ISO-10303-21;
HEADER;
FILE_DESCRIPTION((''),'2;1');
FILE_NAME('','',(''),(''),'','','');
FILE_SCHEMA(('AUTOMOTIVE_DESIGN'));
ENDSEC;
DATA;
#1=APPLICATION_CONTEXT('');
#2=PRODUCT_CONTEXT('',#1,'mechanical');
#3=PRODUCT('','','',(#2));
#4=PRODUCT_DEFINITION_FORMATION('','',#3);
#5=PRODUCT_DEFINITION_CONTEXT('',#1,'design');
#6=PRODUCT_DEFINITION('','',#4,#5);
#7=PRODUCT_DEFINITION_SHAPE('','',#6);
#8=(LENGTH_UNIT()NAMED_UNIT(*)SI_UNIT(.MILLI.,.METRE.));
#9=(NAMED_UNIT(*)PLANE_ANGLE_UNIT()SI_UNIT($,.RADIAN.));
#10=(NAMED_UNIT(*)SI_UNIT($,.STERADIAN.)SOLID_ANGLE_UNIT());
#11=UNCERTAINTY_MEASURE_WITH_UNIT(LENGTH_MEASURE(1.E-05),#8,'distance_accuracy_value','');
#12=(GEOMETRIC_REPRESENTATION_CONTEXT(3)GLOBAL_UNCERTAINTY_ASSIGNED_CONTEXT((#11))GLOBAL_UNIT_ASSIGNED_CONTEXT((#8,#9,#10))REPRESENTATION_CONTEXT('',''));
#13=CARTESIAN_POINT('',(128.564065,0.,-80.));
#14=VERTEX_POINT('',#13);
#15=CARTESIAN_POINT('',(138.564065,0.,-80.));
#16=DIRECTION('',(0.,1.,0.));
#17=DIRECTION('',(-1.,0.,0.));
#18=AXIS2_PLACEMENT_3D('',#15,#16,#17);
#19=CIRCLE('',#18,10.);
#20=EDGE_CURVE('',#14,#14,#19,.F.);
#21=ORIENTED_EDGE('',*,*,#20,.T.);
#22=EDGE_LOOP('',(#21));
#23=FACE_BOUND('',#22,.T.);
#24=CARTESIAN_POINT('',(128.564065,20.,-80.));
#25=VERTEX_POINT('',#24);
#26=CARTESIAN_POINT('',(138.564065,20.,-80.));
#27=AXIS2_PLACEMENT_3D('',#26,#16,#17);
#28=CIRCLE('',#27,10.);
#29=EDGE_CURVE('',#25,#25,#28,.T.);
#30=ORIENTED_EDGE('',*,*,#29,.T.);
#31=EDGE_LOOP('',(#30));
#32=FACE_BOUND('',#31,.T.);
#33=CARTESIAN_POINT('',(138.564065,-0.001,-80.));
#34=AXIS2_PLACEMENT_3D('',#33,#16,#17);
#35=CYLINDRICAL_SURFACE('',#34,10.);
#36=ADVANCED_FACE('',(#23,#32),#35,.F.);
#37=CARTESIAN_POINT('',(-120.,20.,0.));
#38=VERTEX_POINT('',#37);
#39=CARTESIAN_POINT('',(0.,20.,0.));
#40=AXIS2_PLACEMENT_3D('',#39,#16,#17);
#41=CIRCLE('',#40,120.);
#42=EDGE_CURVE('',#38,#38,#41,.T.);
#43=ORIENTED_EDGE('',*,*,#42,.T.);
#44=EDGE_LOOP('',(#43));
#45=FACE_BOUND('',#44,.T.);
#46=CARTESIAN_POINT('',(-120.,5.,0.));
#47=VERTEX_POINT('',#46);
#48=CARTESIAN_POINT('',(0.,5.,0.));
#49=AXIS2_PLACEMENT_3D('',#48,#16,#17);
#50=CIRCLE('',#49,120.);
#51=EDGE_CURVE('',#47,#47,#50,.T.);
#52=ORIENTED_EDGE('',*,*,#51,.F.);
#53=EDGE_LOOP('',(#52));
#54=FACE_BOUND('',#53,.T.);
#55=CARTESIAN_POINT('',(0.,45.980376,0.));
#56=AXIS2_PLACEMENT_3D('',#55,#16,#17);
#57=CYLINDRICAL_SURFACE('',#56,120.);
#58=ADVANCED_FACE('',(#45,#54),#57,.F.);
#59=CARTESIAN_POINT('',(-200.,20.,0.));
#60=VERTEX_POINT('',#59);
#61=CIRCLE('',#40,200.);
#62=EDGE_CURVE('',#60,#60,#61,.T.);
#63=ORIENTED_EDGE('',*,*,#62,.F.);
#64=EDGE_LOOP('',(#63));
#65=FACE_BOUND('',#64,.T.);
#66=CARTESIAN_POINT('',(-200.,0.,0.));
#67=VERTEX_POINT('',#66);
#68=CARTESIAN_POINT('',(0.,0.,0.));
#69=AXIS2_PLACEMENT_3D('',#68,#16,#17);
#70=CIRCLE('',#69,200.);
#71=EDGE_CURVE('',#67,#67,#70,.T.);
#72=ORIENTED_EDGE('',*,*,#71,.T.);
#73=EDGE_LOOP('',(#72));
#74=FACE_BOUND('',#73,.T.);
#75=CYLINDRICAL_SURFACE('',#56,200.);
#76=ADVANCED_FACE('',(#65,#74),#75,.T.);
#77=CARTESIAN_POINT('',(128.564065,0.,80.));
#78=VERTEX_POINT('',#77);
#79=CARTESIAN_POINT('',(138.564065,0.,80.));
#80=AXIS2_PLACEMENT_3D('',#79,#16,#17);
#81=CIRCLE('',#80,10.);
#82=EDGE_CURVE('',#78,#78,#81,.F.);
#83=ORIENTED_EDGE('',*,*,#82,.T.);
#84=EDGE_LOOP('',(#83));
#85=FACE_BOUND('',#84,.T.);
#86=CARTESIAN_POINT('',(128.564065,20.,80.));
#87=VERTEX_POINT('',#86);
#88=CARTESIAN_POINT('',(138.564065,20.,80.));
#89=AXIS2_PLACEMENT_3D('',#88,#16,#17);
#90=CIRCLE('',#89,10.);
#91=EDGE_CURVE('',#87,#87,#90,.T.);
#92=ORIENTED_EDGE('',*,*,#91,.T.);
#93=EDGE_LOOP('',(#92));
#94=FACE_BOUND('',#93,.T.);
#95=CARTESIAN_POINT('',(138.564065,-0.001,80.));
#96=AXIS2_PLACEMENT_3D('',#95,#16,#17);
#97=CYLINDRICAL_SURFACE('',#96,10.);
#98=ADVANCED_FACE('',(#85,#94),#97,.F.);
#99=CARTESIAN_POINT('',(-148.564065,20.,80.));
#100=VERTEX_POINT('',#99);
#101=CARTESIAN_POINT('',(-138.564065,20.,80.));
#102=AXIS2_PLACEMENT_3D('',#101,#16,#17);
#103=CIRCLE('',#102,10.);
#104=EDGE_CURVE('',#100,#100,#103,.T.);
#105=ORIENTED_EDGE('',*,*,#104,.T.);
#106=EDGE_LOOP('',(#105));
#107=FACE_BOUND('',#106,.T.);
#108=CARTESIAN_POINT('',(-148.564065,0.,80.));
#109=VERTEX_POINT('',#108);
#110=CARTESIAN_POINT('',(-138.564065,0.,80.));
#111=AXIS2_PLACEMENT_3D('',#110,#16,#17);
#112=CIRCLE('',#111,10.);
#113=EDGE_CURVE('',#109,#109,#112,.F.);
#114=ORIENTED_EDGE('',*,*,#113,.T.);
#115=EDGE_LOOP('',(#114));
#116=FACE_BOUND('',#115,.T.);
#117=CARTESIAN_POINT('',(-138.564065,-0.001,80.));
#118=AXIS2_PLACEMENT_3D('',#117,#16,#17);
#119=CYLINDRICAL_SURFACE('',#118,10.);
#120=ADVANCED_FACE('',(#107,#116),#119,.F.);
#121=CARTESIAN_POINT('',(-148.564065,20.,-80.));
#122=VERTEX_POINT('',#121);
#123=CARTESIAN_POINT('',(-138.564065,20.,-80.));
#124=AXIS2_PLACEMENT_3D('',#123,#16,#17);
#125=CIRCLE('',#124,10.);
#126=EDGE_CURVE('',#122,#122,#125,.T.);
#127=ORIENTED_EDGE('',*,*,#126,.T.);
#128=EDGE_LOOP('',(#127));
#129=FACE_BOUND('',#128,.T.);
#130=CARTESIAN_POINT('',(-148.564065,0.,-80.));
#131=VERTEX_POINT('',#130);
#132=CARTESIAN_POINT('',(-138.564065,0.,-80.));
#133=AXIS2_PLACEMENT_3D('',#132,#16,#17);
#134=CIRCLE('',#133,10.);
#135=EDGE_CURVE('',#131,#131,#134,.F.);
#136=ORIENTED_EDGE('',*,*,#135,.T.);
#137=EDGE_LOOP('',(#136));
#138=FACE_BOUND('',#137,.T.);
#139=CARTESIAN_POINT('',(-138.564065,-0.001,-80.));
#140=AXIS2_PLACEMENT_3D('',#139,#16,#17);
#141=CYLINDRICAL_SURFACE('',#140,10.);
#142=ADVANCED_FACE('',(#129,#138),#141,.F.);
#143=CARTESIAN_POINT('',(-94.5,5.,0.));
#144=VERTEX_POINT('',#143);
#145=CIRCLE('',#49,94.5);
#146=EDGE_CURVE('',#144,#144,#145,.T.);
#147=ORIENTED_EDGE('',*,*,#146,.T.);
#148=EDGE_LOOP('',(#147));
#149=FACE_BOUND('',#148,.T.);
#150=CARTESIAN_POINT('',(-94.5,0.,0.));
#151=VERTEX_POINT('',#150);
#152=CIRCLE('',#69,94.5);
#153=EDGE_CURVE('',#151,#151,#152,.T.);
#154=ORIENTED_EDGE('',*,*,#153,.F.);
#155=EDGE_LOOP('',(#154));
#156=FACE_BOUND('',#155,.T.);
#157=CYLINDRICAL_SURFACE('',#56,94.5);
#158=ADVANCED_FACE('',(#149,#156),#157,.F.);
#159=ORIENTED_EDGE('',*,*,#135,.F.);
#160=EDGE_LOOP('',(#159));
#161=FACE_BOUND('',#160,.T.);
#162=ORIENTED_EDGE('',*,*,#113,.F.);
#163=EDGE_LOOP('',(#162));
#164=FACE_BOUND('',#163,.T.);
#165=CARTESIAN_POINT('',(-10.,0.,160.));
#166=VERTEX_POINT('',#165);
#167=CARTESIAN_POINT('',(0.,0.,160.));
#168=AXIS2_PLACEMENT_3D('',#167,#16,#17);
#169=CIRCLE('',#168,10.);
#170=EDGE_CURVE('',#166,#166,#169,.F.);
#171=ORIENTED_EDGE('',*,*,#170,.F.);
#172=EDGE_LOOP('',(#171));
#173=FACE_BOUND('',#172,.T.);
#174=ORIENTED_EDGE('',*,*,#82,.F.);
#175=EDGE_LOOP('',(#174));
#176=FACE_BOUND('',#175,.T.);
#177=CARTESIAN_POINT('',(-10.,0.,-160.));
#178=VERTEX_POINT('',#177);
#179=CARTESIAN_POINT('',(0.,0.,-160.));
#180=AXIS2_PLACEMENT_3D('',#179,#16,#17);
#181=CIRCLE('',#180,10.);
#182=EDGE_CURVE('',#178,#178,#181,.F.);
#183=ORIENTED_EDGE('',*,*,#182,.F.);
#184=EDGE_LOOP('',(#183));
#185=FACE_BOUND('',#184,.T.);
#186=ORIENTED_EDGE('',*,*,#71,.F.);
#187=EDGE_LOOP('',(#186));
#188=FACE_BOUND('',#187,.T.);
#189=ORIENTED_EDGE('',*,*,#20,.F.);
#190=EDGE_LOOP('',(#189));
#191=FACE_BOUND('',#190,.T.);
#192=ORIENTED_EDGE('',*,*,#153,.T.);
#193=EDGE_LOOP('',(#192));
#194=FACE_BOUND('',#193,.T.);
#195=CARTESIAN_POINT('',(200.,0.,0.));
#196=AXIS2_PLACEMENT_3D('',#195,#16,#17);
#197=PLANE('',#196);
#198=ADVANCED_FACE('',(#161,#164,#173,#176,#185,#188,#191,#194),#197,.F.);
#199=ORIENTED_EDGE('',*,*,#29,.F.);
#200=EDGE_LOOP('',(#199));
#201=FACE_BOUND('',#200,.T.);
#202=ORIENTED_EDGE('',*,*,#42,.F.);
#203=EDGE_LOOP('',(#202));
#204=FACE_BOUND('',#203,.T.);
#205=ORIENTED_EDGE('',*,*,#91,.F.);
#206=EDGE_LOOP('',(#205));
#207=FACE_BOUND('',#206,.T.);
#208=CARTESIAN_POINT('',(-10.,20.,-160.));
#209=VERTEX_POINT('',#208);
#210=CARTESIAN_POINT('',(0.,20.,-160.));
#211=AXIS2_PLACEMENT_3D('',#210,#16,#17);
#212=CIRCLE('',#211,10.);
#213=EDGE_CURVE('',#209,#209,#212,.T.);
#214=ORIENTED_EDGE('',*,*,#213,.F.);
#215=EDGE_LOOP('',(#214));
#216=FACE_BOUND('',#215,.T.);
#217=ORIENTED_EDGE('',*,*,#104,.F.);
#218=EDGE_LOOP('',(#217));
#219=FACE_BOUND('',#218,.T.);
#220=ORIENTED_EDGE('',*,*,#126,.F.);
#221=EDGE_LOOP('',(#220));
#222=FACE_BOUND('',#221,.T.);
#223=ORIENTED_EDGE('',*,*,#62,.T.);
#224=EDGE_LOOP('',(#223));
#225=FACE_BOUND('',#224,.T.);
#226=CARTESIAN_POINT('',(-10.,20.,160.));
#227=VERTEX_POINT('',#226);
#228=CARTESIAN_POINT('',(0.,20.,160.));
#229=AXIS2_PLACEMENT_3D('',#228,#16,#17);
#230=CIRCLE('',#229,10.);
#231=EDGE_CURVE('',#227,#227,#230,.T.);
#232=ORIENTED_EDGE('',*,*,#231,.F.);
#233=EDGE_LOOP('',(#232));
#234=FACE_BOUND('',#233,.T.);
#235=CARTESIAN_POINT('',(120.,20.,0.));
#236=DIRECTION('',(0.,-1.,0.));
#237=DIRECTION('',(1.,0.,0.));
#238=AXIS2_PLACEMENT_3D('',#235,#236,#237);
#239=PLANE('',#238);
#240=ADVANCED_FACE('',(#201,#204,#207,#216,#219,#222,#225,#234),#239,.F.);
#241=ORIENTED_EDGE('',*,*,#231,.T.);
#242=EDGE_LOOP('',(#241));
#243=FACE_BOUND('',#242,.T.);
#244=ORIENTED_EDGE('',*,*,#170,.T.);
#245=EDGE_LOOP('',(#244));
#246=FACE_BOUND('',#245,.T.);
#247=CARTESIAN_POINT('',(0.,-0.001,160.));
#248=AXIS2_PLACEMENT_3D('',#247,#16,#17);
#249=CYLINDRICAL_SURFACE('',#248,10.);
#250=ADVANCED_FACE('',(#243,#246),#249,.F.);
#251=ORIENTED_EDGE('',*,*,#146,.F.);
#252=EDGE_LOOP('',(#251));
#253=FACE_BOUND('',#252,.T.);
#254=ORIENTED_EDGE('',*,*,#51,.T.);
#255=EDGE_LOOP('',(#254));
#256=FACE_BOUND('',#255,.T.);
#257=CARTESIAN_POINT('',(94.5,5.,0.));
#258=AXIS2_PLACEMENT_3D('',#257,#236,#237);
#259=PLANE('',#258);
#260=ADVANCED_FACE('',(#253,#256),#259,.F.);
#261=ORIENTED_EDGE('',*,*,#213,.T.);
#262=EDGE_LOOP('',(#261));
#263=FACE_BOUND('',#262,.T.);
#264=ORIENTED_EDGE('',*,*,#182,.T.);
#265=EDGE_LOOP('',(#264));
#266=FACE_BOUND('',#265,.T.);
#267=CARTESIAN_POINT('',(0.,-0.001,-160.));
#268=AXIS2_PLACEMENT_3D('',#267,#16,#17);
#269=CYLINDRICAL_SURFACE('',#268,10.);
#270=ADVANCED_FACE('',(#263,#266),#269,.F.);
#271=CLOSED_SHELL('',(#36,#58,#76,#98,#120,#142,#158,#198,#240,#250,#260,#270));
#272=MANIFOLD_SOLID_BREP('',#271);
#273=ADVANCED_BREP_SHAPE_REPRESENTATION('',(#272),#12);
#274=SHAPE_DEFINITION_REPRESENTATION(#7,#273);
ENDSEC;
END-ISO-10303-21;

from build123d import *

# Parameters (mm, degrees)
CUT_EXTRUDE_1_REACH = 285.549
SKETCH_5_R          = 10


with BuildPart() as part:
    # 草圖4 → 旋轉1 (revolve)
    with BuildSketch(Plane.XY, mode=Mode.PRIVATE) as revolve_1_sk:
        Polygon((120, 20), (120, 5), (94.5, 5), (94.5, 0), (200, 0), (200, 20), align=None)
    revolve(revolve_1_sk.sketch.rotate(Axis((0, 45.980375907, 0), (0, -1, 0)), 180), axis=Axis((0, 45.980375907, 0), (0, -1, 0)))

    # 草圖5 → 除料-伸長1 (cut, up to next)
    with BuildSketch(Plane(origin=(0, 20, 0), x_dir=(1, 0, 0), z_dir=(0, 1, 0)), mode=Mode.PRIVATE) as cut_extrude_1_sk1:
        with Locations(Location((0, 160, 0), (0, 0, 180))):
            Circle(SKETCH_5_R)
    cut_extrude_1_tool1 = extrude(cut_extrude_1_sk1.sketch, amount=-CUT_EXTRUDE_1_REACH, mode=Mode.PRIVATE) & part.part
    # 草圖5 → 除料-伸長1 (cut, up to next)
    with BuildSketch(Plane(origin=(0, 20, 0), x_dir=(1, 0, 0), z_dir=(0, 1, 0)), mode=Mode.PRIVATE) as cut_extrude_1_sk2:
        with Locations(Location((138.564064606, 80, 0), (0, 0, 180))):
            Circle(SKETCH_5_R)
    cut_extrude_1_tool2 = extrude(cut_extrude_1_sk2.sketch, amount=-CUT_EXTRUDE_1_REACH, mode=Mode.PRIVATE) & part.part
    # 草圖5 → 除料-伸長1 (cut, up to next)
    with BuildSketch(Plane(origin=(0, 20, 0), x_dir=(1, 0, 0), z_dir=(0, 1, 0)), mode=Mode.PRIVATE) as cut_extrude_1_sk3:
        with Locations(Location((138.564064606, -80, 0), (0, 0, 180))):
            Circle(SKETCH_5_R)
    cut_extrude_1_tool3 = extrude(cut_extrude_1_sk3.sketch, amount=-CUT_EXTRUDE_1_REACH, mode=Mode.PRIVATE) & part.part
    # 草圖5 → 除料-伸長1 (cut, up to next)
    with BuildSketch(Plane(origin=(0, 20, 0), x_dir=(1, 0, 0), z_dir=(0, 1, 0)), mode=Mode.PRIVATE) as cut_extrude_1_sk4:
        with Locations(Location((0, -160, 0), (0, 0, 180))):
            Circle(SKETCH_5_R)
    cut_extrude_1_tool4 = extrude(cut_extrude_1_sk4.sketch, amount=-CUT_EXTRUDE_1_REACH, mode=Mode.PRIVATE) & part.part
    # 草圖5 → 除料-伸長1 (cut, up to next)
    with BuildSketch(Plane(origin=(0, 20, 0), x_dir=(1, 0, 0), z_dir=(0, 1, 0)), mode=Mode.PRIVATE) as cut_extrude_1_sk5:
        with Locations(Location((-138.564064605, -80, 0), (0, 0, 180))):
            Circle(SKETCH_5_R)
    cut_extrude_1_tool5 = extrude(cut_extrude_1_sk5.sketch, amount=-CUT_EXTRUDE_1_REACH, mode=Mode.PRIVATE) & part.part
    # 草圖5 → 除料-伸長1 (cut, up to next)
    with BuildSketch(Plane(origin=(0, 20, 0), x_dir=(1, 0, 0), z_dir=(0, 1, 0)), mode=Mode.PRIVATE) as cut_extrude_1_sk6:
        with Locations(Location((-138.564064606, 80, 0), (0, 0, 180))):
            Circle(SKETCH_5_R)
    cut_extrude_1_tool6 = extrude(cut_extrude_1_sk6.sketch, amount=-CUT_EXTRUDE_1_REACH, mode=Mode.PRIVATE) & part.part
    add(cut_extrude_1_tool1.solids().sort_by_distance((0, 20, -160))[0], mode=Mode.SUBTRACT)
    add(cut_extrude_1_tool2.solids().sort_by_distance((138.564065, 20, -80))[0], mode=Mode.SUBTRACT)
    add(cut_extrude_1_tool3.solids().sort_by_distance((138.564065, 20, 80))[0], mode=Mode.SUBTRACT)
    add(cut_extrude_1_tool4.solids().sort_by_distance((0, 20, 160))[0], mode=Mode.SUBTRACT)
    add(cut_extrude_1_tool5.solids().sort_by_distance((-138.564065, 20, 80))[0], mode=Mode.SUBTRACT)
    add(cut_extrude_1_tool6.solids().sort_by_distance((-138.564065, 20, -80))[0], mode=Mode.SUBTRACT)


solid = part.part
